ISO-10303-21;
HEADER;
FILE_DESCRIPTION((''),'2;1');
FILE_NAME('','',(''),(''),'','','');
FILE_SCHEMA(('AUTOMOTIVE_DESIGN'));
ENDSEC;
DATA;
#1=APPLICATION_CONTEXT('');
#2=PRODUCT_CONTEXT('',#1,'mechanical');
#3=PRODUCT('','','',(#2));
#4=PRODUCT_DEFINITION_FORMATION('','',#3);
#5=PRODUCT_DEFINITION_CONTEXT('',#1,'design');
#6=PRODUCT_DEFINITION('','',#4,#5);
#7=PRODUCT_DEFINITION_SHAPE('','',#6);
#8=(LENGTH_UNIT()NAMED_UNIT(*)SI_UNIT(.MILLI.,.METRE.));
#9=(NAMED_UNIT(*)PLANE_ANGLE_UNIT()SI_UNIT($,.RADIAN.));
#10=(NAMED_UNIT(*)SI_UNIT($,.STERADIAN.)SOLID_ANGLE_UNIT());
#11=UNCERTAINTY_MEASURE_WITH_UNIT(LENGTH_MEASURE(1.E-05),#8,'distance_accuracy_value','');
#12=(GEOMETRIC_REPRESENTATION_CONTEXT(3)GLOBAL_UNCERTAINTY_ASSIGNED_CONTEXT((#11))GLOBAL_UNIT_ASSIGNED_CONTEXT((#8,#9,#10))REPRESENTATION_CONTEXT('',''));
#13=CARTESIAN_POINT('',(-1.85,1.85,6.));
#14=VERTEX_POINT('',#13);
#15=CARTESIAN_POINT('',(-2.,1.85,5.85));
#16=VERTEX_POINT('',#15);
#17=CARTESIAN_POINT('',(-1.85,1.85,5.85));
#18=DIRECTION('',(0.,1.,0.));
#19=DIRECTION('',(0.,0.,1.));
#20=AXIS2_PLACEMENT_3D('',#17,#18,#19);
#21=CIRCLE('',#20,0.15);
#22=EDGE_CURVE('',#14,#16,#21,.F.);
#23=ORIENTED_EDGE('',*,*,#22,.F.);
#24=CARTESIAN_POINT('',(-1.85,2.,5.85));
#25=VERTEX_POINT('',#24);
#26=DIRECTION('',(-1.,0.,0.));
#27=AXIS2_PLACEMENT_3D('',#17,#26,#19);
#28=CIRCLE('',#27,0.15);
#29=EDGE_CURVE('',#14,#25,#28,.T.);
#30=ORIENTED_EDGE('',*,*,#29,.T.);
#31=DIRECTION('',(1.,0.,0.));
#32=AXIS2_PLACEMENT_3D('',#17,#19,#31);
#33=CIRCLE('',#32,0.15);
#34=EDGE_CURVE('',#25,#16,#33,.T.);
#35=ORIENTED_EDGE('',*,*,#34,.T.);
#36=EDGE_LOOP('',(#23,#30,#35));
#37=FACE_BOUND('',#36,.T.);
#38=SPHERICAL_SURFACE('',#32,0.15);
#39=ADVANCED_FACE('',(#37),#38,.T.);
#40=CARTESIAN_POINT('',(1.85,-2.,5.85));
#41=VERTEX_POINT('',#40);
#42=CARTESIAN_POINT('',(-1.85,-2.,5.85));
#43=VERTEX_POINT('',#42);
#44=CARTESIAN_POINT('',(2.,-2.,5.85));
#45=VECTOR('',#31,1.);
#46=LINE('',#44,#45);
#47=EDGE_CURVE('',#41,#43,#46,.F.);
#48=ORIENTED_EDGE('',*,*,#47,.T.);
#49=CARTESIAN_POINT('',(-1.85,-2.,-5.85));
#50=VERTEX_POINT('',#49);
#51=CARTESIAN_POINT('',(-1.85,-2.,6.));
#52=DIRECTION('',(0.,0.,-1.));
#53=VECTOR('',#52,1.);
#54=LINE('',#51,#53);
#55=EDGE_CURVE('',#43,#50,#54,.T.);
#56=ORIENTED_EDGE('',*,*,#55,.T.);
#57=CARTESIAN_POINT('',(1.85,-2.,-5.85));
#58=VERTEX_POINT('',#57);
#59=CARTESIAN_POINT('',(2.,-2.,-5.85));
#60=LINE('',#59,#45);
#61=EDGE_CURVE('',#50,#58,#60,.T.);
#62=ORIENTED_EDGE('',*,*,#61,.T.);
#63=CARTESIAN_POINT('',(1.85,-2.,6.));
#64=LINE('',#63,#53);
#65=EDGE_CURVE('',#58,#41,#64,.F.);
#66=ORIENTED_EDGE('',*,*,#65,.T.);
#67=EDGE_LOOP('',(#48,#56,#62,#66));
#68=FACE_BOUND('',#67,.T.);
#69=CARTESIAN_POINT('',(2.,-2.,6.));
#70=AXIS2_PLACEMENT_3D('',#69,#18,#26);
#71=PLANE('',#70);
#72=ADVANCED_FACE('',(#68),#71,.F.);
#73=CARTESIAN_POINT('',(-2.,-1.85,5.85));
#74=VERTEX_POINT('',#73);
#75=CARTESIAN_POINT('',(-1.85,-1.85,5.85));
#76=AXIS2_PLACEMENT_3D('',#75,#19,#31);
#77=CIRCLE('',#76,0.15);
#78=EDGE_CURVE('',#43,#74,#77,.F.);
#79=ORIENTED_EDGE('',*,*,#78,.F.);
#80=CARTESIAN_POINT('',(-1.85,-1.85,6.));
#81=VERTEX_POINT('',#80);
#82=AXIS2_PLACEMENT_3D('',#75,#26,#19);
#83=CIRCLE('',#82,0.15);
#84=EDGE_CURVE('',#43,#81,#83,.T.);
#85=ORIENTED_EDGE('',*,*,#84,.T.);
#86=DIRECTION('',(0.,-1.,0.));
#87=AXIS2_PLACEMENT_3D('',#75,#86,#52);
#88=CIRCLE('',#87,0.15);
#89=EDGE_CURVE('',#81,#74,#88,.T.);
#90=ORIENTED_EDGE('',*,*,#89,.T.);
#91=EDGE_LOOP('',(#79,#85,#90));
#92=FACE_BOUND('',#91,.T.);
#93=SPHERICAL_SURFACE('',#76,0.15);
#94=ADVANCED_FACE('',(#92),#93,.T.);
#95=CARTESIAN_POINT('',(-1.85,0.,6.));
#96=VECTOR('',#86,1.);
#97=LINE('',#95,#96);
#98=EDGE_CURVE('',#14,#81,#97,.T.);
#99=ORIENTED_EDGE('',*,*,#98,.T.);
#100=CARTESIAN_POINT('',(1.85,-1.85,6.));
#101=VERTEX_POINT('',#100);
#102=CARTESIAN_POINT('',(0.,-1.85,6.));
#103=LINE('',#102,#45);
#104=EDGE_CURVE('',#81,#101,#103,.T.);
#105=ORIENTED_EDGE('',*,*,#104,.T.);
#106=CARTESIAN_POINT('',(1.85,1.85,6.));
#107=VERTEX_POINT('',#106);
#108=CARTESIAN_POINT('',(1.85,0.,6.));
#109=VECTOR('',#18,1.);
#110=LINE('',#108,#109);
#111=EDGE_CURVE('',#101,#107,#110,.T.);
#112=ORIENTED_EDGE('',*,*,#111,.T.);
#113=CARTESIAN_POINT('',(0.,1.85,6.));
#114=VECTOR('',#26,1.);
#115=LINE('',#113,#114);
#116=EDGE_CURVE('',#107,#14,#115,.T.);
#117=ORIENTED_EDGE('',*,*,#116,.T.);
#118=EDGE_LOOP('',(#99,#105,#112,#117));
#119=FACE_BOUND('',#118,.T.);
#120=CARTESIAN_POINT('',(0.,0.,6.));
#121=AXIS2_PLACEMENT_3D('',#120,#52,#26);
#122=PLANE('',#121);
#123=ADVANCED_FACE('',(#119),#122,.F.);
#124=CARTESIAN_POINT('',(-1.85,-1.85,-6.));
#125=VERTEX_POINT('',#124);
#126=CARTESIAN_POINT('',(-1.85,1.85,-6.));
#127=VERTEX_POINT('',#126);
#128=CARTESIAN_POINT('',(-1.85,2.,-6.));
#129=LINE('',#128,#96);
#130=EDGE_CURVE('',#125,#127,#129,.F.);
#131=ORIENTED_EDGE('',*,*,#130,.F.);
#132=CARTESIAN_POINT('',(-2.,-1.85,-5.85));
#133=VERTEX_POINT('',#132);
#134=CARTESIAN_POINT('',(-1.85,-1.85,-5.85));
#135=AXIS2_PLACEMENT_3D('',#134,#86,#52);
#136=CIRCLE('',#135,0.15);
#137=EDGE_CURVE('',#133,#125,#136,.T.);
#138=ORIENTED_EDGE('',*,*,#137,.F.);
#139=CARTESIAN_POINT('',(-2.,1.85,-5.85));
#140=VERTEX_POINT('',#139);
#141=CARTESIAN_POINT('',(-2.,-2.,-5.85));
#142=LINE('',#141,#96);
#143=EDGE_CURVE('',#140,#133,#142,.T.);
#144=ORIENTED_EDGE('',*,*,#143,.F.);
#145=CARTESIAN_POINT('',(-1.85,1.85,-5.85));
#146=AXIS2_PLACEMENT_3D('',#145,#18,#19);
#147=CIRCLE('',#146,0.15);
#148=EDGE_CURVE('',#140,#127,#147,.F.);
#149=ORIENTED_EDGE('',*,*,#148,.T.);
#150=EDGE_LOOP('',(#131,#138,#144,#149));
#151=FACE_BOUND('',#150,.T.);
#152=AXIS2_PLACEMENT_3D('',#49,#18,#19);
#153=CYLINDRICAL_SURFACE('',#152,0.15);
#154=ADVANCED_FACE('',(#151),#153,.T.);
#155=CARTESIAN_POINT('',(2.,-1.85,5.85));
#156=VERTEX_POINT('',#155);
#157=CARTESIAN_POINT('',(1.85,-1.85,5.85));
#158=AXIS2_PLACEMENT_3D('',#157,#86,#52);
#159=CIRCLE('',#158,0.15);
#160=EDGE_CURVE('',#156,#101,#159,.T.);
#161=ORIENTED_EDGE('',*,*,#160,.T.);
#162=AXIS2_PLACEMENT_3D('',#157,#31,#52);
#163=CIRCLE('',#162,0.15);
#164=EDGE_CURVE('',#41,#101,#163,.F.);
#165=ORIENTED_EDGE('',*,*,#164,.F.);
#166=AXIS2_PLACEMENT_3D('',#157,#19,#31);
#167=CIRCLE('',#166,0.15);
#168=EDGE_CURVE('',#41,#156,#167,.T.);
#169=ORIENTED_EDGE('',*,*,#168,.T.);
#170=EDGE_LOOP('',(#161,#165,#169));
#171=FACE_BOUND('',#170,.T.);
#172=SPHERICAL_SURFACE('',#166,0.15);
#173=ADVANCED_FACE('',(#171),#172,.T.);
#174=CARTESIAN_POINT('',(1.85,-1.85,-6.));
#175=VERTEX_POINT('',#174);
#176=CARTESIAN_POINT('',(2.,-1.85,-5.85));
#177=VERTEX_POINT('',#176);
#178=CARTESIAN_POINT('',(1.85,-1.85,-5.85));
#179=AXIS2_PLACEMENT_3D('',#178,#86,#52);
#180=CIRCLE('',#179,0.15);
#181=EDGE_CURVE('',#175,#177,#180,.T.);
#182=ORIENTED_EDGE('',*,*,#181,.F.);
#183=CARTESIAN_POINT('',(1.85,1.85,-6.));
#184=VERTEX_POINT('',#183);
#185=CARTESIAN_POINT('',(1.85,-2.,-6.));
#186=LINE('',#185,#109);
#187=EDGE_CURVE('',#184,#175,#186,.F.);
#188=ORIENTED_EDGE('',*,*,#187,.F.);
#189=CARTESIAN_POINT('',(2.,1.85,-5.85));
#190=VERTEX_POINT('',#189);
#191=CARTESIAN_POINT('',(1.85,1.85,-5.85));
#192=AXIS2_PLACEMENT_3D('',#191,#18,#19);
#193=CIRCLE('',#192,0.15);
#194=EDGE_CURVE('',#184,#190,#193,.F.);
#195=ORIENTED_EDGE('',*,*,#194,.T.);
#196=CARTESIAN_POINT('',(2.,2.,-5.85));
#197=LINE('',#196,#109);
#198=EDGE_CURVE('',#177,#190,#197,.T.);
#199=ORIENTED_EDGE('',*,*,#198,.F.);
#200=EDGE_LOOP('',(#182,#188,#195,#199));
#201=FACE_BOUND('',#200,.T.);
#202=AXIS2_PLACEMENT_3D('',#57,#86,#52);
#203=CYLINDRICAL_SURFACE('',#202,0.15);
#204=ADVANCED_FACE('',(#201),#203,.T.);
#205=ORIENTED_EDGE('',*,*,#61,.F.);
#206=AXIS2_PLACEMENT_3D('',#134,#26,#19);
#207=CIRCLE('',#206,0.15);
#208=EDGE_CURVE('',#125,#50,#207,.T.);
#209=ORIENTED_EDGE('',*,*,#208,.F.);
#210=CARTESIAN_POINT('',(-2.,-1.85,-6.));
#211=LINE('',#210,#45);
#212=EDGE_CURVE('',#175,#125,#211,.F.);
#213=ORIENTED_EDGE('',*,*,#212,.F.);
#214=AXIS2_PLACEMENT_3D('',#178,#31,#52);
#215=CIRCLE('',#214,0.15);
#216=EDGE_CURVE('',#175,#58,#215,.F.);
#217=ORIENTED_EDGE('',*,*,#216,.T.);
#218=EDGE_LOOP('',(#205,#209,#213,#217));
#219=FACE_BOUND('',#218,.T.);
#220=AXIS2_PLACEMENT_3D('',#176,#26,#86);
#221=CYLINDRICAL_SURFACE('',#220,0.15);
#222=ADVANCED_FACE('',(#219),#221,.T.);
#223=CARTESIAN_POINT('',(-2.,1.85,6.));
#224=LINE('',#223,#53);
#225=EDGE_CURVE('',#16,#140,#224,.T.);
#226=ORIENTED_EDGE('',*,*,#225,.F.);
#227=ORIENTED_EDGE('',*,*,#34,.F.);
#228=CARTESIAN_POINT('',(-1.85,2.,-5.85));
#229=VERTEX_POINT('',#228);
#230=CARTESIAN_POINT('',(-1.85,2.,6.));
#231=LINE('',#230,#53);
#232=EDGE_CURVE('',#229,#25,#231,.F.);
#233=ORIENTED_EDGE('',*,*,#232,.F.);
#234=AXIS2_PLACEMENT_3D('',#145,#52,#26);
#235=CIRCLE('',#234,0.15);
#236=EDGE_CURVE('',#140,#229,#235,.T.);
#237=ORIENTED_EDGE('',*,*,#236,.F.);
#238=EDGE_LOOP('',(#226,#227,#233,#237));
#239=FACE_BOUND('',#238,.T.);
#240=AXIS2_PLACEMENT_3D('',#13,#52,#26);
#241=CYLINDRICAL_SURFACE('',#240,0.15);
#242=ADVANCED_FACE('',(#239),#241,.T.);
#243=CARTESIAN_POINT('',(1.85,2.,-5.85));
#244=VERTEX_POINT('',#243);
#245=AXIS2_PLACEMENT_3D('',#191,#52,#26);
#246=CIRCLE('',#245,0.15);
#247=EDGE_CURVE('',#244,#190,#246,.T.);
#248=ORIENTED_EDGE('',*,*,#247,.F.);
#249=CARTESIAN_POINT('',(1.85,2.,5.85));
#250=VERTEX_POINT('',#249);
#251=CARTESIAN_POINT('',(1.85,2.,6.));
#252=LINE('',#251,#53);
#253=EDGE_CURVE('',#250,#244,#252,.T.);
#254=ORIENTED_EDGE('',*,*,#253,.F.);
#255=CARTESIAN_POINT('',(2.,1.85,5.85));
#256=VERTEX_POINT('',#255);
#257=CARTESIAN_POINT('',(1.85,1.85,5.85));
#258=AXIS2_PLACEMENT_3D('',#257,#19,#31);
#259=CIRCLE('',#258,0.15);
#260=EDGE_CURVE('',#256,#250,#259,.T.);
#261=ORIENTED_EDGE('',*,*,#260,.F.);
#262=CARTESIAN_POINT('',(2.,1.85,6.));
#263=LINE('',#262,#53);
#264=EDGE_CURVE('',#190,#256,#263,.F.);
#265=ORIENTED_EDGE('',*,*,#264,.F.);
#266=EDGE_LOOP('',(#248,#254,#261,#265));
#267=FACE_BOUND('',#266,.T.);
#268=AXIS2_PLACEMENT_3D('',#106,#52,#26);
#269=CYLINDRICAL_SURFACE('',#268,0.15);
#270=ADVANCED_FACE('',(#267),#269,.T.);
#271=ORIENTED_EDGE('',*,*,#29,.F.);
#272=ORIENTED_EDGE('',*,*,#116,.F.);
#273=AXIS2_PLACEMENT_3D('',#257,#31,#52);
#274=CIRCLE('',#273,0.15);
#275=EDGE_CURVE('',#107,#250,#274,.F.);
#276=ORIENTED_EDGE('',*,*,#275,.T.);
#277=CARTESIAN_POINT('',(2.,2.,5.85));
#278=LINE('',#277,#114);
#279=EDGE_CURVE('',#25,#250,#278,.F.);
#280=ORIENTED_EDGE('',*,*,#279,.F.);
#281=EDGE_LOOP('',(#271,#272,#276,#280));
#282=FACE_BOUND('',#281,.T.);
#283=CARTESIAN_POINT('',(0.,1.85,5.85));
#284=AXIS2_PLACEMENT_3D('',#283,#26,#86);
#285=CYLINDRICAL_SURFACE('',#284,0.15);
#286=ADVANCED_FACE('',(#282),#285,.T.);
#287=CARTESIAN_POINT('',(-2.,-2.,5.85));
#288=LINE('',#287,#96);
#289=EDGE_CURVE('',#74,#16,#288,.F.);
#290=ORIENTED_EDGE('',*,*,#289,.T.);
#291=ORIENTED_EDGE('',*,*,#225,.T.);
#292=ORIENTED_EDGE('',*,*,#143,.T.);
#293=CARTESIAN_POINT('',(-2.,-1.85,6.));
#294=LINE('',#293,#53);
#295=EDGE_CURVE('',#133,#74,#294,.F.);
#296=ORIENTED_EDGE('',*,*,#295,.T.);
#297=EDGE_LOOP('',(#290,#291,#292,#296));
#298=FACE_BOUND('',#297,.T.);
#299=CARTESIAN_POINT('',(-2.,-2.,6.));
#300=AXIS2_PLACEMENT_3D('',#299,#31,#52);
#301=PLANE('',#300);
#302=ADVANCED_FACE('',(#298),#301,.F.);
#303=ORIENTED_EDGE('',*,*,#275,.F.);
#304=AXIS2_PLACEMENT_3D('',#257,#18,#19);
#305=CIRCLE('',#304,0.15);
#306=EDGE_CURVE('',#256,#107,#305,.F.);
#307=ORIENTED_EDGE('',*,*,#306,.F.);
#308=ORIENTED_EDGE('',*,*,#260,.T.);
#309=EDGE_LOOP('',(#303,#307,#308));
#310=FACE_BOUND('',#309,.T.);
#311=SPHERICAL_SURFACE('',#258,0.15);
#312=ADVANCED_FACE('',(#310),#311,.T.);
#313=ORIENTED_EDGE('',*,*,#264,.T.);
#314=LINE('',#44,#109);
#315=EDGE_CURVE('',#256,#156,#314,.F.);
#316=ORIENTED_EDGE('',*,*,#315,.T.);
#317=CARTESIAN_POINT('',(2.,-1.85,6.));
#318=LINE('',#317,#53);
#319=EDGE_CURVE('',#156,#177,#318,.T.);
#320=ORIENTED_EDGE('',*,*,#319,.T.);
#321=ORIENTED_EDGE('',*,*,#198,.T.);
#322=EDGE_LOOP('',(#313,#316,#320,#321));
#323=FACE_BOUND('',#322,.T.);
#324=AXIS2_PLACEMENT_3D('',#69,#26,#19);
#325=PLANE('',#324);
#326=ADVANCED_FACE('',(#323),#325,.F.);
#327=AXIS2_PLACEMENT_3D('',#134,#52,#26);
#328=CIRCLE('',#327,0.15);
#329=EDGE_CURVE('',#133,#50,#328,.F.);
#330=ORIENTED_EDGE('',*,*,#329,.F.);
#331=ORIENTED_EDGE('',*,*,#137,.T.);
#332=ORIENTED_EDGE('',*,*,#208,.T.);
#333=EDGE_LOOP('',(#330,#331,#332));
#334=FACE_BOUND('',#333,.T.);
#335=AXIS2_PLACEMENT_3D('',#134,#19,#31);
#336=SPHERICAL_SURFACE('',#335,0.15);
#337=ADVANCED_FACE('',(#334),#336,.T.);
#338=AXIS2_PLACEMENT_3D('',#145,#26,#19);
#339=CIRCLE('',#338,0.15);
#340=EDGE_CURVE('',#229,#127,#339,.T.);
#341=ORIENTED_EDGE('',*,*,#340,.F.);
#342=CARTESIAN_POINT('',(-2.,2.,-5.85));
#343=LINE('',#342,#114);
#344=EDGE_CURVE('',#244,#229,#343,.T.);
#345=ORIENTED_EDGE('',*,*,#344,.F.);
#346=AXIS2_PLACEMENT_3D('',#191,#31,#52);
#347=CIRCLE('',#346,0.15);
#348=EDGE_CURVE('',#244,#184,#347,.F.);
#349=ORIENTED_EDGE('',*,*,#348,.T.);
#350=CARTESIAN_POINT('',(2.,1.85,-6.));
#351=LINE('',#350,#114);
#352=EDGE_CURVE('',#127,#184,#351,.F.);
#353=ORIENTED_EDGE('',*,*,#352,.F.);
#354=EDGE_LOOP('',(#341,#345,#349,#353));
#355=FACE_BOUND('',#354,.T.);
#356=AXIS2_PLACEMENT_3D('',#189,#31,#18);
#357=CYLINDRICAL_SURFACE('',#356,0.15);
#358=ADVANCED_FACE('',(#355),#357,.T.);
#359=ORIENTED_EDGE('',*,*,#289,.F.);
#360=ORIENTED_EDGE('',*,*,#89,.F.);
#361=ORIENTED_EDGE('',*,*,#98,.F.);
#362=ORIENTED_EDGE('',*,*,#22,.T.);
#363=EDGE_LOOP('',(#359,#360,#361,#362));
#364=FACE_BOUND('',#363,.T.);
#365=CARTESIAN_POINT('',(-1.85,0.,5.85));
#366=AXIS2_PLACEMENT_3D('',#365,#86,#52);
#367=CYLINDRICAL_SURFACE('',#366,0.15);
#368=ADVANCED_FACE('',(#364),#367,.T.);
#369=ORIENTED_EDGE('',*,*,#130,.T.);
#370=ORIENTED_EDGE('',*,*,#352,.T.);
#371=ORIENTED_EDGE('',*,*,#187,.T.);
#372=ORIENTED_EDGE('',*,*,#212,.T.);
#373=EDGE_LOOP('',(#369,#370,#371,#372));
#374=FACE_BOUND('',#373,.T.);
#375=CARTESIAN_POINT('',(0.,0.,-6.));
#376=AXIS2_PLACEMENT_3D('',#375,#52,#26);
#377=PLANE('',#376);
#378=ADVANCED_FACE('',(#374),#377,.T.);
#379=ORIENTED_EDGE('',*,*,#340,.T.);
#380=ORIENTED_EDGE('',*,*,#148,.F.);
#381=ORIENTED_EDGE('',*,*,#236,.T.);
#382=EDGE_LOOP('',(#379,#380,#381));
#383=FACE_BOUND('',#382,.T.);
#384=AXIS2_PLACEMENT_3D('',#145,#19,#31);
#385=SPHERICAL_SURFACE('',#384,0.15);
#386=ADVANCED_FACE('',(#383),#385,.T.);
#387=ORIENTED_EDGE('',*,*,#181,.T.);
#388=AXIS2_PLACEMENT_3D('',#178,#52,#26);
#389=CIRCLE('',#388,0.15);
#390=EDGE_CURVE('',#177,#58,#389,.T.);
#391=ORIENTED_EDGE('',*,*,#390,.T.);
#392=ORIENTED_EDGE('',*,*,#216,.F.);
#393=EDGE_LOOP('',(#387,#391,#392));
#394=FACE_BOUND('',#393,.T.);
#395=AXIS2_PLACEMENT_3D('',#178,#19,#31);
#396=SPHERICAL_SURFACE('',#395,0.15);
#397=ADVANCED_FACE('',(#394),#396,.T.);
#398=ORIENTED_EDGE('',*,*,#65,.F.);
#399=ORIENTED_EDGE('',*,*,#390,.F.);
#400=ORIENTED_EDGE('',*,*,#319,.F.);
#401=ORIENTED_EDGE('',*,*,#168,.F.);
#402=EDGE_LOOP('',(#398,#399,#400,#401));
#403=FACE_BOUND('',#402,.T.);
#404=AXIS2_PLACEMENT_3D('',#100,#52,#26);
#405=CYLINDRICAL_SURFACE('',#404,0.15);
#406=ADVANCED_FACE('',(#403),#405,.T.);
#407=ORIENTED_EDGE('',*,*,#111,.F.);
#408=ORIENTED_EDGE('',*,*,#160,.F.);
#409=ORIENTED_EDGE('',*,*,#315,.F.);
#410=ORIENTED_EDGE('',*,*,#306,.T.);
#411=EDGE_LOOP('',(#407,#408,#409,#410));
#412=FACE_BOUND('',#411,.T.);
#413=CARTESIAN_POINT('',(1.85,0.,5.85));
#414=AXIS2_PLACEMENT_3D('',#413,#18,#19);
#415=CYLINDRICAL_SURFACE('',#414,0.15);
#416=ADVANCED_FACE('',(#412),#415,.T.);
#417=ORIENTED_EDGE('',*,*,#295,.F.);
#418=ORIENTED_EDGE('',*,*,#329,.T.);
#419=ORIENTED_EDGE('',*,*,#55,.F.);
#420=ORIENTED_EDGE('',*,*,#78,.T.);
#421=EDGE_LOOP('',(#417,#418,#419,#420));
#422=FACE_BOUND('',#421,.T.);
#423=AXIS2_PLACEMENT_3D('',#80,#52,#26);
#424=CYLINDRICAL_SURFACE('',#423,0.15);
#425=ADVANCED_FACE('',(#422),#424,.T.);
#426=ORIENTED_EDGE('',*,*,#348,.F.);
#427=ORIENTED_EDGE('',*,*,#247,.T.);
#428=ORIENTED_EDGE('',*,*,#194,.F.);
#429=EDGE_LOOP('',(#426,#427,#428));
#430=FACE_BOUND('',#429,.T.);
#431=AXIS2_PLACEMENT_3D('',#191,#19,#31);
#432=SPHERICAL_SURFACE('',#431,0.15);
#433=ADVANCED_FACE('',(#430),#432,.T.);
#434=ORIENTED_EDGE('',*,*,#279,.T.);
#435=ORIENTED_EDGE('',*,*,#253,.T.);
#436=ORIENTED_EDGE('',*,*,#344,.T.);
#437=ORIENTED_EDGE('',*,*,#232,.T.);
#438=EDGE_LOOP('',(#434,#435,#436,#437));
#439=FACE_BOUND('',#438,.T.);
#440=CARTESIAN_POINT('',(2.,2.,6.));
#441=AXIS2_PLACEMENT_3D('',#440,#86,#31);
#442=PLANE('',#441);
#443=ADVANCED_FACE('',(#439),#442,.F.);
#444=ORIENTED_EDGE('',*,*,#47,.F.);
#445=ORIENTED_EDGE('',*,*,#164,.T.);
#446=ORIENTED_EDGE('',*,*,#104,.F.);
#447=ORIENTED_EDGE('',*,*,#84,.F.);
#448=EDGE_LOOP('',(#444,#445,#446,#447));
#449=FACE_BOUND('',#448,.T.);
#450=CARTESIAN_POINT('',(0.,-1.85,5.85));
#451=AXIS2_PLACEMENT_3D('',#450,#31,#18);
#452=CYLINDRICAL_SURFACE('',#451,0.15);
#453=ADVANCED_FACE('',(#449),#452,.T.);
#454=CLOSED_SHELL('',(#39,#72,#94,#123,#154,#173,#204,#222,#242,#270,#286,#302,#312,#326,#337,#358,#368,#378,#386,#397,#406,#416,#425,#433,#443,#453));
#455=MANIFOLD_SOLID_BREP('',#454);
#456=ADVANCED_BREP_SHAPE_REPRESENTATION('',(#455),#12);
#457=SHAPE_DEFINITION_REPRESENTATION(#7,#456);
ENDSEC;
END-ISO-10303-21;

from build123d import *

# Parameters (mm, degrees)
SKETCH3_W                = 4
SKETCH3_H                = 4
BOSS_EXTRUDE1_DEPTH      = 6
BOSS_EXTRUDE1_DEPTH_BACK = 6
FILLET2_R                = 0.15


with BuildPart() as part:
    # Sketch3 → Boss-Extrude1 (new body, two sides)
    with BuildSketch(Plane.XY) as boss_extrude1_sk:
        Rectangle(SKETCH3_W, SKETCH3_H)
    extrude(amount=BOSS_EXTRUDE1_DEPTH)
    extrude(boss_extrude1_sk.sketch, amount=-BOSS_EXTRUDE1_DEPTH_BACK)

    # Fillet2
    fillet2_edges = [part.edges().sort_by_distance(p)[0] for p in [
        (0, 2, 6),
        (0, -2, -6),
        (-2, 0, -6),
        (0, 2, -6),
        (2, 0, -6),
        (-2, 0, 6),
        (0, -2, 6),
        (2, 0, 6),
        (-2, -2, 0),
        (-2, 2, 0),
        (2, 2, 0),
        (2, -2, 0),
    ]]
    fillet(fillet2_edges, radius=FILLET2_R)


solid = part.part
